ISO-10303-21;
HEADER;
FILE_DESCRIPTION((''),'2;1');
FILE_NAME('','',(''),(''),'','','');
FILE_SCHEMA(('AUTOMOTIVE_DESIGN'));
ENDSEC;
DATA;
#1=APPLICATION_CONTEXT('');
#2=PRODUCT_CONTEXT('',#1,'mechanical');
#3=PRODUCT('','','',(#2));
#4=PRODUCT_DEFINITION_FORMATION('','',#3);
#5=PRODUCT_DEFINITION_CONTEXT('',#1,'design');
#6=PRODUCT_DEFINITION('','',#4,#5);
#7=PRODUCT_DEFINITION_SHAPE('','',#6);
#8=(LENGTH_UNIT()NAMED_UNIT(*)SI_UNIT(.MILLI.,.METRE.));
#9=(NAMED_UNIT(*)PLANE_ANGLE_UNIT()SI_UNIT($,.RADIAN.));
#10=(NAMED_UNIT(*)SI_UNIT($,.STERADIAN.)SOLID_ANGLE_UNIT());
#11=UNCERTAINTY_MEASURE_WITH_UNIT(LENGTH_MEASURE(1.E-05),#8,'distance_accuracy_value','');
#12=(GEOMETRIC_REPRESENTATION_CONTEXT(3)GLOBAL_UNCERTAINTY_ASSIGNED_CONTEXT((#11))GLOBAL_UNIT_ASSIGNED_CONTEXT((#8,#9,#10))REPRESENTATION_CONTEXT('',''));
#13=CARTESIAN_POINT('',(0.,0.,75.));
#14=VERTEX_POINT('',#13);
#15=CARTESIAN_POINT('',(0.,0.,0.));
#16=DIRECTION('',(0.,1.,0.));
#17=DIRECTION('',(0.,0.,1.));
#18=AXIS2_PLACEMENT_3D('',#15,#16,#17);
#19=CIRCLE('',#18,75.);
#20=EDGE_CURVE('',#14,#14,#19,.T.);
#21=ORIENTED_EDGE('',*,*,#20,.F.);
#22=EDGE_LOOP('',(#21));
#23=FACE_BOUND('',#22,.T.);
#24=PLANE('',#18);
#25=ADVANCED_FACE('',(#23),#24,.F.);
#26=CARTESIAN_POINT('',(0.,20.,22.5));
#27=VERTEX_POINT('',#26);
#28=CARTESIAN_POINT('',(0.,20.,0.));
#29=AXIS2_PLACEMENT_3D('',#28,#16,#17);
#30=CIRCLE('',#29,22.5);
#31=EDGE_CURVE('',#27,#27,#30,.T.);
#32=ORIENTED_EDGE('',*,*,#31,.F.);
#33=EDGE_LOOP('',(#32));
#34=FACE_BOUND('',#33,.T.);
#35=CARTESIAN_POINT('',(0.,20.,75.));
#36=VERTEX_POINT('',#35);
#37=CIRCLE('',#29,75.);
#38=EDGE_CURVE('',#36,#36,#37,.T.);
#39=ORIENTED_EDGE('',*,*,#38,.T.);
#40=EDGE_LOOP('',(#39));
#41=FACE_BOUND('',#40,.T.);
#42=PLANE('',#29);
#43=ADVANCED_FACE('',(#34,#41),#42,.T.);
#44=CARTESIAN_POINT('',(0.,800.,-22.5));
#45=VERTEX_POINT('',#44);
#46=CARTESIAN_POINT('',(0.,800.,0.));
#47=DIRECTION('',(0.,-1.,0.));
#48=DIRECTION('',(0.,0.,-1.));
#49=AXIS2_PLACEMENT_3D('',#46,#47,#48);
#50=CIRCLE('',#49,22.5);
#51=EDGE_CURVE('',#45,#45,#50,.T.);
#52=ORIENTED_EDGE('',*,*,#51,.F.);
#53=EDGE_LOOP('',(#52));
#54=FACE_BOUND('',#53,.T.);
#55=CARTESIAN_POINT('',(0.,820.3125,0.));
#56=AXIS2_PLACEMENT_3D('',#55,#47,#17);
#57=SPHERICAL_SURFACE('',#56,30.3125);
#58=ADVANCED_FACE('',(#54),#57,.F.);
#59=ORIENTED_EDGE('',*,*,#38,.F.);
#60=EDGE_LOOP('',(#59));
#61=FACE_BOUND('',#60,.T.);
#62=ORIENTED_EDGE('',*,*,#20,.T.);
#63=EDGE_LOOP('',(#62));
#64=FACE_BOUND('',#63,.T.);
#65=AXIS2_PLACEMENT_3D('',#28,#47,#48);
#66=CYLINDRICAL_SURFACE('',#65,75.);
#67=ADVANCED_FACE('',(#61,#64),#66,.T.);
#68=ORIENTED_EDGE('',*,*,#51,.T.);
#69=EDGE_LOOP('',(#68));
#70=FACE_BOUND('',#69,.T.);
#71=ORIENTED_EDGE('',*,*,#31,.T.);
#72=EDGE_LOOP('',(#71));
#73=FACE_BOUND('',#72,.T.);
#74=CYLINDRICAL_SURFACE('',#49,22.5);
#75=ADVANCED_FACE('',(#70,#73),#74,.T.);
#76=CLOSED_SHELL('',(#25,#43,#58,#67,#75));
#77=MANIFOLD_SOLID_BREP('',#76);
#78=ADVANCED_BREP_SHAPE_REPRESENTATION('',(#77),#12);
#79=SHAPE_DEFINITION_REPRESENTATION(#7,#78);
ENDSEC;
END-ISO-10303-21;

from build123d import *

# Parameters (mm, degrees)
SKETCH1_R           = 75
BOSS_EXTRUDE1_DEPTH = 20
SKETCH2_R           = 22.5
BOSS_EXTRUDE2_DEPTH = 780


with BuildPart() as part:
    # Sketch1 → Boss-Extrude1 (new body)
    with BuildSketch(Plane(origin=(0, 0, 0), x_dir=(1, 0, 0), z_dir=(0, 1, 0))):
        Circle(SKETCH1_R)
    extrude(amount=BOSS_EXTRUDE1_DEPTH)

    # Sketch2 → Boss-Extrude2 (add)
    with BuildSketch(Plane(origin=(0, 20, 0), x_dir=(1, 0, 0), z_dir=(0, 1, 0))):
        Circle(SKETCH2_R)
    extrude(amount=BOSS_EXTRUDE2_DEPTH)

    # Sketch4 → Cut-Revolve1 (revolve, cut)
    with BuildSketch(Plane(origin=(0, 0, 0), x_dir=(0, 0, -1), z_dir=(1, 0, 0))):
        with BuildLine():
            Line((0, 800), (-22.5, 800))
            ThreePointArc((-22.5, 800), (-12.311072252, 792.612587432), (0, 790))
            Line((0, 790), (0, 800))
        make_face()
    revolve(axis=Axis((0, 783.697468949, 0), (0, 1, 0)), mode=Mode.SUBTRACT)


solid = part.part
